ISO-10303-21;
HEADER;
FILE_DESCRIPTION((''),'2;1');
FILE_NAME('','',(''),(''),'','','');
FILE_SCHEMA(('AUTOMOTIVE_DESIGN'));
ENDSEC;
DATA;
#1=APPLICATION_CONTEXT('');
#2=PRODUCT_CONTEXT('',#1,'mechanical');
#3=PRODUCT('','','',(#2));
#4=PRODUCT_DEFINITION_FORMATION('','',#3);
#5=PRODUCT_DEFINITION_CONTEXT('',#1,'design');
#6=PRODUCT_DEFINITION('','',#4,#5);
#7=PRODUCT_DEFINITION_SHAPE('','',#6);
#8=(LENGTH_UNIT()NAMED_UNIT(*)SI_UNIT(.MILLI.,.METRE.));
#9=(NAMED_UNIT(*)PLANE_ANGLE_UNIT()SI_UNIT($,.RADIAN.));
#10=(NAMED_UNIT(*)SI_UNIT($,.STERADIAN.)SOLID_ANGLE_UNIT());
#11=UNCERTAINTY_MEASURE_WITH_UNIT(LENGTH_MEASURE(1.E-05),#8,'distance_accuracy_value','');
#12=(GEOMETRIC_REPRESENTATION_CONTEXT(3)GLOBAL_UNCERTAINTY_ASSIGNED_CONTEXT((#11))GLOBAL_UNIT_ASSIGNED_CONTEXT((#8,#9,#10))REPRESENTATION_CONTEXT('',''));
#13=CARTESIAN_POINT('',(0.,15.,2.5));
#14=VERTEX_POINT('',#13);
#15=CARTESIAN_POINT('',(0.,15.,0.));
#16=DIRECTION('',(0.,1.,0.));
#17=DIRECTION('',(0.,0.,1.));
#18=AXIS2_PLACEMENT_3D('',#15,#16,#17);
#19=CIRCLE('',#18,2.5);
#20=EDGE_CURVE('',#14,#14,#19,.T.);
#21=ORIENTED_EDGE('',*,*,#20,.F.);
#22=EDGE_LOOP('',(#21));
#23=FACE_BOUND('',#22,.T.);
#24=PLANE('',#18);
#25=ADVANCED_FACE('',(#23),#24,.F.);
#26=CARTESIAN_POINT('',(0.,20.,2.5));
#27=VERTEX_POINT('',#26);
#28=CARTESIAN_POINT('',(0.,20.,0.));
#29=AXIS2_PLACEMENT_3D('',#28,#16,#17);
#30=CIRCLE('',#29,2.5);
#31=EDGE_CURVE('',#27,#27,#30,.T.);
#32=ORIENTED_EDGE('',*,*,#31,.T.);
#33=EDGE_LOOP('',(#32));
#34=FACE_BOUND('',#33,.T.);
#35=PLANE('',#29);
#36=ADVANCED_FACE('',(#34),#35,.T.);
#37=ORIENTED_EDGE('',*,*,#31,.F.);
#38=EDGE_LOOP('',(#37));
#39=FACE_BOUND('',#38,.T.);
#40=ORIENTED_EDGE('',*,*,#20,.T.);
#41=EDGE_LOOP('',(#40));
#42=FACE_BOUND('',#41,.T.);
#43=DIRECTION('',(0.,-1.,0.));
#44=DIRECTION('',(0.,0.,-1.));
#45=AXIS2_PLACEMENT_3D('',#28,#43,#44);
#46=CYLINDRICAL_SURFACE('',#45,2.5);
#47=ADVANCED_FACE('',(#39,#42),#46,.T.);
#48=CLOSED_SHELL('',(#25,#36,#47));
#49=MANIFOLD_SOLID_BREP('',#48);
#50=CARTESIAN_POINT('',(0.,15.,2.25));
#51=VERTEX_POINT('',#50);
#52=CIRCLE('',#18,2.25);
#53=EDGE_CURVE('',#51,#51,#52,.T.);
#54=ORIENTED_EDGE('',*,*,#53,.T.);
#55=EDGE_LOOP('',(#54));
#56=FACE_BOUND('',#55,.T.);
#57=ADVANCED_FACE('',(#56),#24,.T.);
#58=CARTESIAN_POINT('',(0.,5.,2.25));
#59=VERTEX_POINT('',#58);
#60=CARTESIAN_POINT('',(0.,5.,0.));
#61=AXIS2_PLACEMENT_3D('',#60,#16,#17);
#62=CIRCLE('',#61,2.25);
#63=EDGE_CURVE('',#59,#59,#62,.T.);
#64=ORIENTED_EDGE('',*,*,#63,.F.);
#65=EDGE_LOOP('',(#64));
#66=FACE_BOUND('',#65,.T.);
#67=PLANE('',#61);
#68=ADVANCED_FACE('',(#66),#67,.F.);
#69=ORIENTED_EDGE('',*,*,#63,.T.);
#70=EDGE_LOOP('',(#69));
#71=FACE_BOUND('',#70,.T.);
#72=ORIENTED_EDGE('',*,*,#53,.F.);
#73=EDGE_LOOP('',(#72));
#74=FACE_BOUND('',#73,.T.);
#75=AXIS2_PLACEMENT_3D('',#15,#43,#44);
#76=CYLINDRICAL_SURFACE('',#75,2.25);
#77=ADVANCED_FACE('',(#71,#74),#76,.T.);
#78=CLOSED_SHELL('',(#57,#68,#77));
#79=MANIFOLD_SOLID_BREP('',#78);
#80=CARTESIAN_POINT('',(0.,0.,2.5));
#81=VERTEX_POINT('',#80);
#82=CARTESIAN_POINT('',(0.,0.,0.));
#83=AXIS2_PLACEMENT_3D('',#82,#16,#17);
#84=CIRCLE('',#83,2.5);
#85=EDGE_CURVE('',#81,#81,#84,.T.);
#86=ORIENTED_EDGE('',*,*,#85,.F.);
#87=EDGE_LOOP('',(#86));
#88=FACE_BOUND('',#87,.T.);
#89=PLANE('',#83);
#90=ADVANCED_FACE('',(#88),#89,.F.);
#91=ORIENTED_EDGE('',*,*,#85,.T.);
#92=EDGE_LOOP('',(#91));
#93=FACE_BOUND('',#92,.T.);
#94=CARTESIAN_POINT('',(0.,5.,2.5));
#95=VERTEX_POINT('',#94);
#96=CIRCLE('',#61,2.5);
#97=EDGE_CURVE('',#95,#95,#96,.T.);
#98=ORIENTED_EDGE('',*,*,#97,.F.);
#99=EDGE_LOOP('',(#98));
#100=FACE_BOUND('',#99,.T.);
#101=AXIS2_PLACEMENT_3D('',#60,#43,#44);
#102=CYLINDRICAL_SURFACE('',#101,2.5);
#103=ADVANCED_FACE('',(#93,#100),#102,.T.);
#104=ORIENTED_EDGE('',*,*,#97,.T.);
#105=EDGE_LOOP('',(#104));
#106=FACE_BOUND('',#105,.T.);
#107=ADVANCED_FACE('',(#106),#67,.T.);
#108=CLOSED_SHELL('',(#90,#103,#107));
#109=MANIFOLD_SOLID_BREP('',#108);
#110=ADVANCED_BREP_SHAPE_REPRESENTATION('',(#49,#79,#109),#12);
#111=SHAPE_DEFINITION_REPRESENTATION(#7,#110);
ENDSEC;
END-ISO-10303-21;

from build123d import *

# Parameters (mm, degrees)
SKETCH1_R           = 2.5
BOSS_EXTRUDE1_DEPTH = 5
SKETCH2_R           = 2.25
BOSS_EXTRUDE2_DEPTH = 10
SKETCH3_R           = 2.5
BOSS_EXTRUDE3_DEPTH = 5


with BuildPart() as part:
    # Sketch1 → Boss-Extrude1 (new body)
    with BuildSketch(Plane(origin=(0, 0, 0), x_dir=(1, 0, 0), z_dir=(0, 1, 0))):
        with Locations(Location((0, 0, 0), (0, 0, 270))):
            Circle(SKETCH1_R)
    extrude(amount=BOSS_EXTRUDE1_DEPTH)


with BuildPart() as body_2:
    # Sketch2 → Boss-Extrude2 (new body)
    with BuildSketch(Plane(origin=(0, 5, 0), x_dir=(1, 0, 0), z_dir=(0, 1, 0))):
        with Locations(Location((0, 0, 0), (0, 0, 270))):
            Circle(SKETCH2_R)
    extrude(amount=BOSS_EXTRUDE2_DEPTH)


with BuildPart() as body_3:
    # Sketch3 → Boss-Extrude3 (new body)
    with BuildSketch(Plane(origin=(0, 15, 0), x_dir=(1, 0, 0), z_dir=(0, 1, 0))):
        with Locations(Location((0, 0, 0), (0, 0, 270))):
            Circle(SKETCH3_R)
    extrude(amount=BOSS_EXTRUDE3_DEPTH)


solid = Compound([part.part, body_2.part, body_3.part])
